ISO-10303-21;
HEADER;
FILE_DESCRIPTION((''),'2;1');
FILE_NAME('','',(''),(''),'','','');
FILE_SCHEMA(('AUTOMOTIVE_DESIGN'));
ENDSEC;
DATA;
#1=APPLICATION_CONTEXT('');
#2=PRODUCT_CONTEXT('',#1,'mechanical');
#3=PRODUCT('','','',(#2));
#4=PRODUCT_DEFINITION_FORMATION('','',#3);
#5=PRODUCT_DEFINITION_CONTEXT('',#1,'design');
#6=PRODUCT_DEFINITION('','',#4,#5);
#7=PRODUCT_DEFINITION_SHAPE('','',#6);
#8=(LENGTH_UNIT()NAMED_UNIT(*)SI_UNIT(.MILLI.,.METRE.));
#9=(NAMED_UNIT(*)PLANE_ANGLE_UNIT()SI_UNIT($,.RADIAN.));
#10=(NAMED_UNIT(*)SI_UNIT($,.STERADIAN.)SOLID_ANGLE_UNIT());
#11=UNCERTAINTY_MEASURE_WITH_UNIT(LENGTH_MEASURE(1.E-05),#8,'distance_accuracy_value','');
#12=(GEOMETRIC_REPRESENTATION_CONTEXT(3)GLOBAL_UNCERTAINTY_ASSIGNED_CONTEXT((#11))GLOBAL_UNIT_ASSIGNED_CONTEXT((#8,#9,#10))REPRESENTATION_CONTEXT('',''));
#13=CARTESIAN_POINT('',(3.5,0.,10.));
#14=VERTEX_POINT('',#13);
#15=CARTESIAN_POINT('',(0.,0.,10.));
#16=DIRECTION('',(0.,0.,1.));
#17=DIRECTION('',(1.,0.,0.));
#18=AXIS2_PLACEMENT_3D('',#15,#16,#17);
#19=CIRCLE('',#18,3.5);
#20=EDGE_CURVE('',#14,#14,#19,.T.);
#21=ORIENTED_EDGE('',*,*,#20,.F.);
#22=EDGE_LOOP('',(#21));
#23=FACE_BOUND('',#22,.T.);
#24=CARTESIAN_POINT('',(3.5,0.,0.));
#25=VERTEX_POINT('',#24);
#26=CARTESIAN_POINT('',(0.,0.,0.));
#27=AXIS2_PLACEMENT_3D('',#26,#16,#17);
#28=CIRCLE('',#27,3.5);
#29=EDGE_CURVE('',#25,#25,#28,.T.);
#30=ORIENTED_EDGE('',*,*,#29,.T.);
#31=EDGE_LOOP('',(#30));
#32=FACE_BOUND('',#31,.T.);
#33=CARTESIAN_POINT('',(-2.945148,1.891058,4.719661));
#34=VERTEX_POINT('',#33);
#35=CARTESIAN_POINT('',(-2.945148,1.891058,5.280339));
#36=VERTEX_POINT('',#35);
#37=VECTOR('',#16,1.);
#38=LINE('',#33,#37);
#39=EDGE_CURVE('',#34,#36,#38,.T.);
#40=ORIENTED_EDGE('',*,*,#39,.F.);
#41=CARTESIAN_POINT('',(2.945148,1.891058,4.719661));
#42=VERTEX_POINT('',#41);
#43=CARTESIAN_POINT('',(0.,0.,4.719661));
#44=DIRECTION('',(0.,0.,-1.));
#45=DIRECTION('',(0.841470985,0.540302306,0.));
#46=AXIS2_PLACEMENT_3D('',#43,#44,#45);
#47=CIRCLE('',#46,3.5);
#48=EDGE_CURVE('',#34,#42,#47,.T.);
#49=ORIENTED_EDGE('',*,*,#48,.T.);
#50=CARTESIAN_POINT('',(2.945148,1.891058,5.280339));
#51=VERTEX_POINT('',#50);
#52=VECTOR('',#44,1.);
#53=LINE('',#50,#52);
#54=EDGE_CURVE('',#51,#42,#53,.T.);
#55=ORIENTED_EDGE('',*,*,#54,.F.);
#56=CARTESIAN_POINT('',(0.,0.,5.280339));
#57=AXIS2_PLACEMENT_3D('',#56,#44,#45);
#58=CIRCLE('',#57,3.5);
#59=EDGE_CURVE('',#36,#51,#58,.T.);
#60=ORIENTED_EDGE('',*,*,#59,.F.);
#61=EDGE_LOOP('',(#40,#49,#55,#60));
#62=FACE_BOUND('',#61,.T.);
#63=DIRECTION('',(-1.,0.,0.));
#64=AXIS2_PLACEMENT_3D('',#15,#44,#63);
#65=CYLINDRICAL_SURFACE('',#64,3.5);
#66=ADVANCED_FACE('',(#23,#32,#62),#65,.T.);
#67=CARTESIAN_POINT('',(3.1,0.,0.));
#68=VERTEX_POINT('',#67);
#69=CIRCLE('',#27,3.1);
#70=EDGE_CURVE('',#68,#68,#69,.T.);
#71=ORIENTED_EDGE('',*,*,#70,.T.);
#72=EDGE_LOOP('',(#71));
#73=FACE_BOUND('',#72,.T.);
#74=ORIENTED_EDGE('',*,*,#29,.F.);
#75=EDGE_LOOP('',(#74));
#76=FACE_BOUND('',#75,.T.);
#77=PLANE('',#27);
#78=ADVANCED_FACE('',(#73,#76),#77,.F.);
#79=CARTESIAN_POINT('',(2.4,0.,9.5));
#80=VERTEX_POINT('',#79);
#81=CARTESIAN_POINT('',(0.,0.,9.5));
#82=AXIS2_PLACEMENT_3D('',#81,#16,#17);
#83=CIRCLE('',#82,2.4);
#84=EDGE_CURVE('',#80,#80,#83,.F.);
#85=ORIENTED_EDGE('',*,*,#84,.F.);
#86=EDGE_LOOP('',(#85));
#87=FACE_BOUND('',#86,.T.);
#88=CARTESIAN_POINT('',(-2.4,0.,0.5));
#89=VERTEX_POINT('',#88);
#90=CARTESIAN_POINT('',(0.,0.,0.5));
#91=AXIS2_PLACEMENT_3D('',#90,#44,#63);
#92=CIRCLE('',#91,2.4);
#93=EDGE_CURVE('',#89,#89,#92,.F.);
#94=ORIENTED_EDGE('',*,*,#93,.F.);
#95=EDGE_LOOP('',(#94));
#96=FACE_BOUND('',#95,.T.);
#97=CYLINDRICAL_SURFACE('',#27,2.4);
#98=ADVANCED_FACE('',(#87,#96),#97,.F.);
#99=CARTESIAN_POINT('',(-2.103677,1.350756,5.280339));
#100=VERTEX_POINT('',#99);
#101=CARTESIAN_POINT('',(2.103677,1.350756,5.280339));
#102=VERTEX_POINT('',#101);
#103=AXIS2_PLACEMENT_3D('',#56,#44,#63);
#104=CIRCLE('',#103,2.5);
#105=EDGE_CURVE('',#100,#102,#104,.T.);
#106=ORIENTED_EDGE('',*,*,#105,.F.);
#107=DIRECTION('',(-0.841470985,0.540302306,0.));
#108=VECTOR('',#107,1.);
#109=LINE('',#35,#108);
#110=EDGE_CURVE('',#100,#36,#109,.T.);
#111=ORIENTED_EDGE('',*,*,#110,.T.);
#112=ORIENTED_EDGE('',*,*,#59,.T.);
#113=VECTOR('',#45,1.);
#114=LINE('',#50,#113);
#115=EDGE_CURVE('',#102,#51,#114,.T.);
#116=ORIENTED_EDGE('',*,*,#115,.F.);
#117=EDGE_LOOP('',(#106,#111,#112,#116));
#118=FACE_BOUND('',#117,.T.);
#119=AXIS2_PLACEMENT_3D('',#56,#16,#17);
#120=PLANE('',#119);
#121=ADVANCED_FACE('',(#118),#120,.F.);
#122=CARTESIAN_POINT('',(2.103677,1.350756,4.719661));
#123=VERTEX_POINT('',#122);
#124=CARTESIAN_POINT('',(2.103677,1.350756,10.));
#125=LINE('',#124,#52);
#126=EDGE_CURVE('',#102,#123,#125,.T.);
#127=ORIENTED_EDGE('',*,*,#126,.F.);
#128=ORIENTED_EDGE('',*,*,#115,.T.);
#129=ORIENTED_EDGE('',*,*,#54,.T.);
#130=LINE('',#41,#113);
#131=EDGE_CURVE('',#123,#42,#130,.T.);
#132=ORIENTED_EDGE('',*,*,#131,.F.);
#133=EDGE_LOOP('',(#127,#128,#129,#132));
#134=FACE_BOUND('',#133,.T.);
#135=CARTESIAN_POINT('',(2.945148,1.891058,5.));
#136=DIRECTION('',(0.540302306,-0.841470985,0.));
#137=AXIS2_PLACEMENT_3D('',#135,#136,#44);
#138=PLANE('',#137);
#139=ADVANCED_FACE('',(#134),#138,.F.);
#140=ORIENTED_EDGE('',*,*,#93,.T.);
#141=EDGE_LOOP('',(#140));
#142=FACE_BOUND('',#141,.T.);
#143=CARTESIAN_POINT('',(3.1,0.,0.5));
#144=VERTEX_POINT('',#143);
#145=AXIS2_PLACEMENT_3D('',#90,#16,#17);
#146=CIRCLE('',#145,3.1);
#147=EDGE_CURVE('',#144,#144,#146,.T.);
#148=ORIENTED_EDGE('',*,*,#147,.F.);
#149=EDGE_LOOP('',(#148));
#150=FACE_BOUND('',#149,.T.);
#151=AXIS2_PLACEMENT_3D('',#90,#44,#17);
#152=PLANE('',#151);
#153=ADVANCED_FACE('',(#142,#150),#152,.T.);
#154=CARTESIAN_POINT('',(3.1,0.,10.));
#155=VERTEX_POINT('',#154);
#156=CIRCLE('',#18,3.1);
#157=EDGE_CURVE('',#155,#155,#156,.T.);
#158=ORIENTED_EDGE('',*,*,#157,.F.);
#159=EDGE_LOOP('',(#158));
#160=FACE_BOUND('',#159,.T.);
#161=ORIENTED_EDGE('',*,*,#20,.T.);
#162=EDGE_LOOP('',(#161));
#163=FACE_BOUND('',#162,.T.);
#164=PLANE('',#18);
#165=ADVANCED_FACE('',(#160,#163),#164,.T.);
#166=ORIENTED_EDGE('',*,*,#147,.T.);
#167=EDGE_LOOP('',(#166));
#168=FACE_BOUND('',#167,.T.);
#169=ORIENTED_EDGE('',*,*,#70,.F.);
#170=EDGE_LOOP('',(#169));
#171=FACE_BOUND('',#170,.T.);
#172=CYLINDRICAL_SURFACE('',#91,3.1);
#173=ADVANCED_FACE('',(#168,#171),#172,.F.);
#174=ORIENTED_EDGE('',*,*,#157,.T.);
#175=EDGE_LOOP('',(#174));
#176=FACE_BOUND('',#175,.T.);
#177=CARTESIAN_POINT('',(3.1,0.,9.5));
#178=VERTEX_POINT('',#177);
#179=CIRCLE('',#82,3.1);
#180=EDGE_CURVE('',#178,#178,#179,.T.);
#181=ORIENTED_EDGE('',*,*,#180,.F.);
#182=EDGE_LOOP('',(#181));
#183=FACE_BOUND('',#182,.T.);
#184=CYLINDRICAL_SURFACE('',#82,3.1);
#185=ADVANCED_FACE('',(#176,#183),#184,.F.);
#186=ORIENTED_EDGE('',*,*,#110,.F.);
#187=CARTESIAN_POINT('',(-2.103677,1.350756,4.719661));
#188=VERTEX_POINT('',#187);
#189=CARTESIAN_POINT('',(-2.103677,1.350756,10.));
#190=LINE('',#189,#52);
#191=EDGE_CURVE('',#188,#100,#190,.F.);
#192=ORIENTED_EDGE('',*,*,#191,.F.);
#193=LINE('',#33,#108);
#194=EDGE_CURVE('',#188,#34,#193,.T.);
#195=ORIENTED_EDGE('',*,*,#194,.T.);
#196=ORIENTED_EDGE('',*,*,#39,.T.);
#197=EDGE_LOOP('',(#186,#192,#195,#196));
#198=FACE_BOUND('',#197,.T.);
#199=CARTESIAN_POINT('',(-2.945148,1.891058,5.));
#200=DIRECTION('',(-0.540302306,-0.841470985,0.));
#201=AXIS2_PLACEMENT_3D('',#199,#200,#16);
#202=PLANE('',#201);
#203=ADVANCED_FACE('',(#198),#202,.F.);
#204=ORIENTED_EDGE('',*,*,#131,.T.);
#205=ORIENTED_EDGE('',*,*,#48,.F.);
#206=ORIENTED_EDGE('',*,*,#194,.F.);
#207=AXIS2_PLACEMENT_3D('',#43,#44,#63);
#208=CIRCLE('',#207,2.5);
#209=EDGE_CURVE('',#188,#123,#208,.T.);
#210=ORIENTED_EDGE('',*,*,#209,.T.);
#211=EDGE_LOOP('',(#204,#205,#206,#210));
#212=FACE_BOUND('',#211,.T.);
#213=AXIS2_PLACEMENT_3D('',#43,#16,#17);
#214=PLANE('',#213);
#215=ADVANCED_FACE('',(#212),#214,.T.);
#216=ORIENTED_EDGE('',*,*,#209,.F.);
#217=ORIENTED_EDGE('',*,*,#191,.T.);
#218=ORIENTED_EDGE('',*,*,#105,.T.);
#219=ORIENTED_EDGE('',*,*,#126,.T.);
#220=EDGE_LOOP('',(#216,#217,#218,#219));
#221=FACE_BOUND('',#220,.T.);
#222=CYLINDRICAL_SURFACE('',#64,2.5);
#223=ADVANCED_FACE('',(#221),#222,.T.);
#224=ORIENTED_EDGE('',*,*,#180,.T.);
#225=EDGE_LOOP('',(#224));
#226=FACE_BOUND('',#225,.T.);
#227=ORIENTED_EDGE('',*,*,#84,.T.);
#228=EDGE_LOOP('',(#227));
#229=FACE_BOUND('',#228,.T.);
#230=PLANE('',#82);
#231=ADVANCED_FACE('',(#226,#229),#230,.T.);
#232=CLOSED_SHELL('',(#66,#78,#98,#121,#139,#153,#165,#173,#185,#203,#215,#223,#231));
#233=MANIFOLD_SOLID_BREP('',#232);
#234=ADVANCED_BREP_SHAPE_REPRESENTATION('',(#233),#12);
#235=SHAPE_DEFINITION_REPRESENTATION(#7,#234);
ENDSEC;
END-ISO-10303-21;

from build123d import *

# Parameters (mm, degrees)
SKETCH1_R           = 3.5
BOSS_EXTRUDE1_DEPTH = 10
SKETCH3_R           = 2.4
CUT_EXTRUDE1_DEPTH  = 12.157956802
SKETCH4_R           = 3.1
CUT_EXTRUDE2_DEPTH  = 0.5
WRAP1_SECTION_W     = 1
WRAP1_SECTION_H     = 0.5606788
WRAP1_ANGLE         = 114.591559026


with BuildPart() as part:
    # Sketch1 → Boss-Extrude1 (new body)
    with BuildSketch(Plane.XY):
        Circle(SKETCH1_R)
    extrude(amount=BOSS_EXTRUDE1_DEPTH)

    # Sketch3 → Cut-Extrude1 (cut, through all)
    with BuildSketch(Plane.XY.offset(10)):
        Circle(SKETCH3_R)
    extrude(amount=-CUT_EXTRUDE1_DEPTH, mode=Mode.SUBTRACT)

    # Sketch4 → Cut-Extrude2 (cut)
    with BuildSketch(Plane.XY.offset(10)):
        Circle(SKETCH4_R)
    cut_extrude2 = extrude(amount=-CUT_EXTRUDE2_DEPTH, mode=Mode.SUBTRACT)

    # Mirror1: Cut-Extrude2 across plane
    add(cut_extrude2.mirror(Plane.XY.offset(5)), mode=Mode.SUBTRACT)

    # Wrap1 section (on wrap section) → Wrap1 (revolve, cut)
    with BuildSketch(Plane(origin=(0, 0, 0), x_dir=(-0.8414709848078967, 0.5403023058681393, 0), z_dir=(-0.5403023058681393, -0.8414709848078967, 0))):
        with Locations((3, -5)):
            Rectangle(WRAP1_SECTION_W, WRAP1_SECTION_H)
    revolve(axis=Axis((0, 0, 0), (0, 0, -1)), revolution_arc=WRAP1_ANGLE, mode=Mode.SUBTRACT)


solid = part.part
